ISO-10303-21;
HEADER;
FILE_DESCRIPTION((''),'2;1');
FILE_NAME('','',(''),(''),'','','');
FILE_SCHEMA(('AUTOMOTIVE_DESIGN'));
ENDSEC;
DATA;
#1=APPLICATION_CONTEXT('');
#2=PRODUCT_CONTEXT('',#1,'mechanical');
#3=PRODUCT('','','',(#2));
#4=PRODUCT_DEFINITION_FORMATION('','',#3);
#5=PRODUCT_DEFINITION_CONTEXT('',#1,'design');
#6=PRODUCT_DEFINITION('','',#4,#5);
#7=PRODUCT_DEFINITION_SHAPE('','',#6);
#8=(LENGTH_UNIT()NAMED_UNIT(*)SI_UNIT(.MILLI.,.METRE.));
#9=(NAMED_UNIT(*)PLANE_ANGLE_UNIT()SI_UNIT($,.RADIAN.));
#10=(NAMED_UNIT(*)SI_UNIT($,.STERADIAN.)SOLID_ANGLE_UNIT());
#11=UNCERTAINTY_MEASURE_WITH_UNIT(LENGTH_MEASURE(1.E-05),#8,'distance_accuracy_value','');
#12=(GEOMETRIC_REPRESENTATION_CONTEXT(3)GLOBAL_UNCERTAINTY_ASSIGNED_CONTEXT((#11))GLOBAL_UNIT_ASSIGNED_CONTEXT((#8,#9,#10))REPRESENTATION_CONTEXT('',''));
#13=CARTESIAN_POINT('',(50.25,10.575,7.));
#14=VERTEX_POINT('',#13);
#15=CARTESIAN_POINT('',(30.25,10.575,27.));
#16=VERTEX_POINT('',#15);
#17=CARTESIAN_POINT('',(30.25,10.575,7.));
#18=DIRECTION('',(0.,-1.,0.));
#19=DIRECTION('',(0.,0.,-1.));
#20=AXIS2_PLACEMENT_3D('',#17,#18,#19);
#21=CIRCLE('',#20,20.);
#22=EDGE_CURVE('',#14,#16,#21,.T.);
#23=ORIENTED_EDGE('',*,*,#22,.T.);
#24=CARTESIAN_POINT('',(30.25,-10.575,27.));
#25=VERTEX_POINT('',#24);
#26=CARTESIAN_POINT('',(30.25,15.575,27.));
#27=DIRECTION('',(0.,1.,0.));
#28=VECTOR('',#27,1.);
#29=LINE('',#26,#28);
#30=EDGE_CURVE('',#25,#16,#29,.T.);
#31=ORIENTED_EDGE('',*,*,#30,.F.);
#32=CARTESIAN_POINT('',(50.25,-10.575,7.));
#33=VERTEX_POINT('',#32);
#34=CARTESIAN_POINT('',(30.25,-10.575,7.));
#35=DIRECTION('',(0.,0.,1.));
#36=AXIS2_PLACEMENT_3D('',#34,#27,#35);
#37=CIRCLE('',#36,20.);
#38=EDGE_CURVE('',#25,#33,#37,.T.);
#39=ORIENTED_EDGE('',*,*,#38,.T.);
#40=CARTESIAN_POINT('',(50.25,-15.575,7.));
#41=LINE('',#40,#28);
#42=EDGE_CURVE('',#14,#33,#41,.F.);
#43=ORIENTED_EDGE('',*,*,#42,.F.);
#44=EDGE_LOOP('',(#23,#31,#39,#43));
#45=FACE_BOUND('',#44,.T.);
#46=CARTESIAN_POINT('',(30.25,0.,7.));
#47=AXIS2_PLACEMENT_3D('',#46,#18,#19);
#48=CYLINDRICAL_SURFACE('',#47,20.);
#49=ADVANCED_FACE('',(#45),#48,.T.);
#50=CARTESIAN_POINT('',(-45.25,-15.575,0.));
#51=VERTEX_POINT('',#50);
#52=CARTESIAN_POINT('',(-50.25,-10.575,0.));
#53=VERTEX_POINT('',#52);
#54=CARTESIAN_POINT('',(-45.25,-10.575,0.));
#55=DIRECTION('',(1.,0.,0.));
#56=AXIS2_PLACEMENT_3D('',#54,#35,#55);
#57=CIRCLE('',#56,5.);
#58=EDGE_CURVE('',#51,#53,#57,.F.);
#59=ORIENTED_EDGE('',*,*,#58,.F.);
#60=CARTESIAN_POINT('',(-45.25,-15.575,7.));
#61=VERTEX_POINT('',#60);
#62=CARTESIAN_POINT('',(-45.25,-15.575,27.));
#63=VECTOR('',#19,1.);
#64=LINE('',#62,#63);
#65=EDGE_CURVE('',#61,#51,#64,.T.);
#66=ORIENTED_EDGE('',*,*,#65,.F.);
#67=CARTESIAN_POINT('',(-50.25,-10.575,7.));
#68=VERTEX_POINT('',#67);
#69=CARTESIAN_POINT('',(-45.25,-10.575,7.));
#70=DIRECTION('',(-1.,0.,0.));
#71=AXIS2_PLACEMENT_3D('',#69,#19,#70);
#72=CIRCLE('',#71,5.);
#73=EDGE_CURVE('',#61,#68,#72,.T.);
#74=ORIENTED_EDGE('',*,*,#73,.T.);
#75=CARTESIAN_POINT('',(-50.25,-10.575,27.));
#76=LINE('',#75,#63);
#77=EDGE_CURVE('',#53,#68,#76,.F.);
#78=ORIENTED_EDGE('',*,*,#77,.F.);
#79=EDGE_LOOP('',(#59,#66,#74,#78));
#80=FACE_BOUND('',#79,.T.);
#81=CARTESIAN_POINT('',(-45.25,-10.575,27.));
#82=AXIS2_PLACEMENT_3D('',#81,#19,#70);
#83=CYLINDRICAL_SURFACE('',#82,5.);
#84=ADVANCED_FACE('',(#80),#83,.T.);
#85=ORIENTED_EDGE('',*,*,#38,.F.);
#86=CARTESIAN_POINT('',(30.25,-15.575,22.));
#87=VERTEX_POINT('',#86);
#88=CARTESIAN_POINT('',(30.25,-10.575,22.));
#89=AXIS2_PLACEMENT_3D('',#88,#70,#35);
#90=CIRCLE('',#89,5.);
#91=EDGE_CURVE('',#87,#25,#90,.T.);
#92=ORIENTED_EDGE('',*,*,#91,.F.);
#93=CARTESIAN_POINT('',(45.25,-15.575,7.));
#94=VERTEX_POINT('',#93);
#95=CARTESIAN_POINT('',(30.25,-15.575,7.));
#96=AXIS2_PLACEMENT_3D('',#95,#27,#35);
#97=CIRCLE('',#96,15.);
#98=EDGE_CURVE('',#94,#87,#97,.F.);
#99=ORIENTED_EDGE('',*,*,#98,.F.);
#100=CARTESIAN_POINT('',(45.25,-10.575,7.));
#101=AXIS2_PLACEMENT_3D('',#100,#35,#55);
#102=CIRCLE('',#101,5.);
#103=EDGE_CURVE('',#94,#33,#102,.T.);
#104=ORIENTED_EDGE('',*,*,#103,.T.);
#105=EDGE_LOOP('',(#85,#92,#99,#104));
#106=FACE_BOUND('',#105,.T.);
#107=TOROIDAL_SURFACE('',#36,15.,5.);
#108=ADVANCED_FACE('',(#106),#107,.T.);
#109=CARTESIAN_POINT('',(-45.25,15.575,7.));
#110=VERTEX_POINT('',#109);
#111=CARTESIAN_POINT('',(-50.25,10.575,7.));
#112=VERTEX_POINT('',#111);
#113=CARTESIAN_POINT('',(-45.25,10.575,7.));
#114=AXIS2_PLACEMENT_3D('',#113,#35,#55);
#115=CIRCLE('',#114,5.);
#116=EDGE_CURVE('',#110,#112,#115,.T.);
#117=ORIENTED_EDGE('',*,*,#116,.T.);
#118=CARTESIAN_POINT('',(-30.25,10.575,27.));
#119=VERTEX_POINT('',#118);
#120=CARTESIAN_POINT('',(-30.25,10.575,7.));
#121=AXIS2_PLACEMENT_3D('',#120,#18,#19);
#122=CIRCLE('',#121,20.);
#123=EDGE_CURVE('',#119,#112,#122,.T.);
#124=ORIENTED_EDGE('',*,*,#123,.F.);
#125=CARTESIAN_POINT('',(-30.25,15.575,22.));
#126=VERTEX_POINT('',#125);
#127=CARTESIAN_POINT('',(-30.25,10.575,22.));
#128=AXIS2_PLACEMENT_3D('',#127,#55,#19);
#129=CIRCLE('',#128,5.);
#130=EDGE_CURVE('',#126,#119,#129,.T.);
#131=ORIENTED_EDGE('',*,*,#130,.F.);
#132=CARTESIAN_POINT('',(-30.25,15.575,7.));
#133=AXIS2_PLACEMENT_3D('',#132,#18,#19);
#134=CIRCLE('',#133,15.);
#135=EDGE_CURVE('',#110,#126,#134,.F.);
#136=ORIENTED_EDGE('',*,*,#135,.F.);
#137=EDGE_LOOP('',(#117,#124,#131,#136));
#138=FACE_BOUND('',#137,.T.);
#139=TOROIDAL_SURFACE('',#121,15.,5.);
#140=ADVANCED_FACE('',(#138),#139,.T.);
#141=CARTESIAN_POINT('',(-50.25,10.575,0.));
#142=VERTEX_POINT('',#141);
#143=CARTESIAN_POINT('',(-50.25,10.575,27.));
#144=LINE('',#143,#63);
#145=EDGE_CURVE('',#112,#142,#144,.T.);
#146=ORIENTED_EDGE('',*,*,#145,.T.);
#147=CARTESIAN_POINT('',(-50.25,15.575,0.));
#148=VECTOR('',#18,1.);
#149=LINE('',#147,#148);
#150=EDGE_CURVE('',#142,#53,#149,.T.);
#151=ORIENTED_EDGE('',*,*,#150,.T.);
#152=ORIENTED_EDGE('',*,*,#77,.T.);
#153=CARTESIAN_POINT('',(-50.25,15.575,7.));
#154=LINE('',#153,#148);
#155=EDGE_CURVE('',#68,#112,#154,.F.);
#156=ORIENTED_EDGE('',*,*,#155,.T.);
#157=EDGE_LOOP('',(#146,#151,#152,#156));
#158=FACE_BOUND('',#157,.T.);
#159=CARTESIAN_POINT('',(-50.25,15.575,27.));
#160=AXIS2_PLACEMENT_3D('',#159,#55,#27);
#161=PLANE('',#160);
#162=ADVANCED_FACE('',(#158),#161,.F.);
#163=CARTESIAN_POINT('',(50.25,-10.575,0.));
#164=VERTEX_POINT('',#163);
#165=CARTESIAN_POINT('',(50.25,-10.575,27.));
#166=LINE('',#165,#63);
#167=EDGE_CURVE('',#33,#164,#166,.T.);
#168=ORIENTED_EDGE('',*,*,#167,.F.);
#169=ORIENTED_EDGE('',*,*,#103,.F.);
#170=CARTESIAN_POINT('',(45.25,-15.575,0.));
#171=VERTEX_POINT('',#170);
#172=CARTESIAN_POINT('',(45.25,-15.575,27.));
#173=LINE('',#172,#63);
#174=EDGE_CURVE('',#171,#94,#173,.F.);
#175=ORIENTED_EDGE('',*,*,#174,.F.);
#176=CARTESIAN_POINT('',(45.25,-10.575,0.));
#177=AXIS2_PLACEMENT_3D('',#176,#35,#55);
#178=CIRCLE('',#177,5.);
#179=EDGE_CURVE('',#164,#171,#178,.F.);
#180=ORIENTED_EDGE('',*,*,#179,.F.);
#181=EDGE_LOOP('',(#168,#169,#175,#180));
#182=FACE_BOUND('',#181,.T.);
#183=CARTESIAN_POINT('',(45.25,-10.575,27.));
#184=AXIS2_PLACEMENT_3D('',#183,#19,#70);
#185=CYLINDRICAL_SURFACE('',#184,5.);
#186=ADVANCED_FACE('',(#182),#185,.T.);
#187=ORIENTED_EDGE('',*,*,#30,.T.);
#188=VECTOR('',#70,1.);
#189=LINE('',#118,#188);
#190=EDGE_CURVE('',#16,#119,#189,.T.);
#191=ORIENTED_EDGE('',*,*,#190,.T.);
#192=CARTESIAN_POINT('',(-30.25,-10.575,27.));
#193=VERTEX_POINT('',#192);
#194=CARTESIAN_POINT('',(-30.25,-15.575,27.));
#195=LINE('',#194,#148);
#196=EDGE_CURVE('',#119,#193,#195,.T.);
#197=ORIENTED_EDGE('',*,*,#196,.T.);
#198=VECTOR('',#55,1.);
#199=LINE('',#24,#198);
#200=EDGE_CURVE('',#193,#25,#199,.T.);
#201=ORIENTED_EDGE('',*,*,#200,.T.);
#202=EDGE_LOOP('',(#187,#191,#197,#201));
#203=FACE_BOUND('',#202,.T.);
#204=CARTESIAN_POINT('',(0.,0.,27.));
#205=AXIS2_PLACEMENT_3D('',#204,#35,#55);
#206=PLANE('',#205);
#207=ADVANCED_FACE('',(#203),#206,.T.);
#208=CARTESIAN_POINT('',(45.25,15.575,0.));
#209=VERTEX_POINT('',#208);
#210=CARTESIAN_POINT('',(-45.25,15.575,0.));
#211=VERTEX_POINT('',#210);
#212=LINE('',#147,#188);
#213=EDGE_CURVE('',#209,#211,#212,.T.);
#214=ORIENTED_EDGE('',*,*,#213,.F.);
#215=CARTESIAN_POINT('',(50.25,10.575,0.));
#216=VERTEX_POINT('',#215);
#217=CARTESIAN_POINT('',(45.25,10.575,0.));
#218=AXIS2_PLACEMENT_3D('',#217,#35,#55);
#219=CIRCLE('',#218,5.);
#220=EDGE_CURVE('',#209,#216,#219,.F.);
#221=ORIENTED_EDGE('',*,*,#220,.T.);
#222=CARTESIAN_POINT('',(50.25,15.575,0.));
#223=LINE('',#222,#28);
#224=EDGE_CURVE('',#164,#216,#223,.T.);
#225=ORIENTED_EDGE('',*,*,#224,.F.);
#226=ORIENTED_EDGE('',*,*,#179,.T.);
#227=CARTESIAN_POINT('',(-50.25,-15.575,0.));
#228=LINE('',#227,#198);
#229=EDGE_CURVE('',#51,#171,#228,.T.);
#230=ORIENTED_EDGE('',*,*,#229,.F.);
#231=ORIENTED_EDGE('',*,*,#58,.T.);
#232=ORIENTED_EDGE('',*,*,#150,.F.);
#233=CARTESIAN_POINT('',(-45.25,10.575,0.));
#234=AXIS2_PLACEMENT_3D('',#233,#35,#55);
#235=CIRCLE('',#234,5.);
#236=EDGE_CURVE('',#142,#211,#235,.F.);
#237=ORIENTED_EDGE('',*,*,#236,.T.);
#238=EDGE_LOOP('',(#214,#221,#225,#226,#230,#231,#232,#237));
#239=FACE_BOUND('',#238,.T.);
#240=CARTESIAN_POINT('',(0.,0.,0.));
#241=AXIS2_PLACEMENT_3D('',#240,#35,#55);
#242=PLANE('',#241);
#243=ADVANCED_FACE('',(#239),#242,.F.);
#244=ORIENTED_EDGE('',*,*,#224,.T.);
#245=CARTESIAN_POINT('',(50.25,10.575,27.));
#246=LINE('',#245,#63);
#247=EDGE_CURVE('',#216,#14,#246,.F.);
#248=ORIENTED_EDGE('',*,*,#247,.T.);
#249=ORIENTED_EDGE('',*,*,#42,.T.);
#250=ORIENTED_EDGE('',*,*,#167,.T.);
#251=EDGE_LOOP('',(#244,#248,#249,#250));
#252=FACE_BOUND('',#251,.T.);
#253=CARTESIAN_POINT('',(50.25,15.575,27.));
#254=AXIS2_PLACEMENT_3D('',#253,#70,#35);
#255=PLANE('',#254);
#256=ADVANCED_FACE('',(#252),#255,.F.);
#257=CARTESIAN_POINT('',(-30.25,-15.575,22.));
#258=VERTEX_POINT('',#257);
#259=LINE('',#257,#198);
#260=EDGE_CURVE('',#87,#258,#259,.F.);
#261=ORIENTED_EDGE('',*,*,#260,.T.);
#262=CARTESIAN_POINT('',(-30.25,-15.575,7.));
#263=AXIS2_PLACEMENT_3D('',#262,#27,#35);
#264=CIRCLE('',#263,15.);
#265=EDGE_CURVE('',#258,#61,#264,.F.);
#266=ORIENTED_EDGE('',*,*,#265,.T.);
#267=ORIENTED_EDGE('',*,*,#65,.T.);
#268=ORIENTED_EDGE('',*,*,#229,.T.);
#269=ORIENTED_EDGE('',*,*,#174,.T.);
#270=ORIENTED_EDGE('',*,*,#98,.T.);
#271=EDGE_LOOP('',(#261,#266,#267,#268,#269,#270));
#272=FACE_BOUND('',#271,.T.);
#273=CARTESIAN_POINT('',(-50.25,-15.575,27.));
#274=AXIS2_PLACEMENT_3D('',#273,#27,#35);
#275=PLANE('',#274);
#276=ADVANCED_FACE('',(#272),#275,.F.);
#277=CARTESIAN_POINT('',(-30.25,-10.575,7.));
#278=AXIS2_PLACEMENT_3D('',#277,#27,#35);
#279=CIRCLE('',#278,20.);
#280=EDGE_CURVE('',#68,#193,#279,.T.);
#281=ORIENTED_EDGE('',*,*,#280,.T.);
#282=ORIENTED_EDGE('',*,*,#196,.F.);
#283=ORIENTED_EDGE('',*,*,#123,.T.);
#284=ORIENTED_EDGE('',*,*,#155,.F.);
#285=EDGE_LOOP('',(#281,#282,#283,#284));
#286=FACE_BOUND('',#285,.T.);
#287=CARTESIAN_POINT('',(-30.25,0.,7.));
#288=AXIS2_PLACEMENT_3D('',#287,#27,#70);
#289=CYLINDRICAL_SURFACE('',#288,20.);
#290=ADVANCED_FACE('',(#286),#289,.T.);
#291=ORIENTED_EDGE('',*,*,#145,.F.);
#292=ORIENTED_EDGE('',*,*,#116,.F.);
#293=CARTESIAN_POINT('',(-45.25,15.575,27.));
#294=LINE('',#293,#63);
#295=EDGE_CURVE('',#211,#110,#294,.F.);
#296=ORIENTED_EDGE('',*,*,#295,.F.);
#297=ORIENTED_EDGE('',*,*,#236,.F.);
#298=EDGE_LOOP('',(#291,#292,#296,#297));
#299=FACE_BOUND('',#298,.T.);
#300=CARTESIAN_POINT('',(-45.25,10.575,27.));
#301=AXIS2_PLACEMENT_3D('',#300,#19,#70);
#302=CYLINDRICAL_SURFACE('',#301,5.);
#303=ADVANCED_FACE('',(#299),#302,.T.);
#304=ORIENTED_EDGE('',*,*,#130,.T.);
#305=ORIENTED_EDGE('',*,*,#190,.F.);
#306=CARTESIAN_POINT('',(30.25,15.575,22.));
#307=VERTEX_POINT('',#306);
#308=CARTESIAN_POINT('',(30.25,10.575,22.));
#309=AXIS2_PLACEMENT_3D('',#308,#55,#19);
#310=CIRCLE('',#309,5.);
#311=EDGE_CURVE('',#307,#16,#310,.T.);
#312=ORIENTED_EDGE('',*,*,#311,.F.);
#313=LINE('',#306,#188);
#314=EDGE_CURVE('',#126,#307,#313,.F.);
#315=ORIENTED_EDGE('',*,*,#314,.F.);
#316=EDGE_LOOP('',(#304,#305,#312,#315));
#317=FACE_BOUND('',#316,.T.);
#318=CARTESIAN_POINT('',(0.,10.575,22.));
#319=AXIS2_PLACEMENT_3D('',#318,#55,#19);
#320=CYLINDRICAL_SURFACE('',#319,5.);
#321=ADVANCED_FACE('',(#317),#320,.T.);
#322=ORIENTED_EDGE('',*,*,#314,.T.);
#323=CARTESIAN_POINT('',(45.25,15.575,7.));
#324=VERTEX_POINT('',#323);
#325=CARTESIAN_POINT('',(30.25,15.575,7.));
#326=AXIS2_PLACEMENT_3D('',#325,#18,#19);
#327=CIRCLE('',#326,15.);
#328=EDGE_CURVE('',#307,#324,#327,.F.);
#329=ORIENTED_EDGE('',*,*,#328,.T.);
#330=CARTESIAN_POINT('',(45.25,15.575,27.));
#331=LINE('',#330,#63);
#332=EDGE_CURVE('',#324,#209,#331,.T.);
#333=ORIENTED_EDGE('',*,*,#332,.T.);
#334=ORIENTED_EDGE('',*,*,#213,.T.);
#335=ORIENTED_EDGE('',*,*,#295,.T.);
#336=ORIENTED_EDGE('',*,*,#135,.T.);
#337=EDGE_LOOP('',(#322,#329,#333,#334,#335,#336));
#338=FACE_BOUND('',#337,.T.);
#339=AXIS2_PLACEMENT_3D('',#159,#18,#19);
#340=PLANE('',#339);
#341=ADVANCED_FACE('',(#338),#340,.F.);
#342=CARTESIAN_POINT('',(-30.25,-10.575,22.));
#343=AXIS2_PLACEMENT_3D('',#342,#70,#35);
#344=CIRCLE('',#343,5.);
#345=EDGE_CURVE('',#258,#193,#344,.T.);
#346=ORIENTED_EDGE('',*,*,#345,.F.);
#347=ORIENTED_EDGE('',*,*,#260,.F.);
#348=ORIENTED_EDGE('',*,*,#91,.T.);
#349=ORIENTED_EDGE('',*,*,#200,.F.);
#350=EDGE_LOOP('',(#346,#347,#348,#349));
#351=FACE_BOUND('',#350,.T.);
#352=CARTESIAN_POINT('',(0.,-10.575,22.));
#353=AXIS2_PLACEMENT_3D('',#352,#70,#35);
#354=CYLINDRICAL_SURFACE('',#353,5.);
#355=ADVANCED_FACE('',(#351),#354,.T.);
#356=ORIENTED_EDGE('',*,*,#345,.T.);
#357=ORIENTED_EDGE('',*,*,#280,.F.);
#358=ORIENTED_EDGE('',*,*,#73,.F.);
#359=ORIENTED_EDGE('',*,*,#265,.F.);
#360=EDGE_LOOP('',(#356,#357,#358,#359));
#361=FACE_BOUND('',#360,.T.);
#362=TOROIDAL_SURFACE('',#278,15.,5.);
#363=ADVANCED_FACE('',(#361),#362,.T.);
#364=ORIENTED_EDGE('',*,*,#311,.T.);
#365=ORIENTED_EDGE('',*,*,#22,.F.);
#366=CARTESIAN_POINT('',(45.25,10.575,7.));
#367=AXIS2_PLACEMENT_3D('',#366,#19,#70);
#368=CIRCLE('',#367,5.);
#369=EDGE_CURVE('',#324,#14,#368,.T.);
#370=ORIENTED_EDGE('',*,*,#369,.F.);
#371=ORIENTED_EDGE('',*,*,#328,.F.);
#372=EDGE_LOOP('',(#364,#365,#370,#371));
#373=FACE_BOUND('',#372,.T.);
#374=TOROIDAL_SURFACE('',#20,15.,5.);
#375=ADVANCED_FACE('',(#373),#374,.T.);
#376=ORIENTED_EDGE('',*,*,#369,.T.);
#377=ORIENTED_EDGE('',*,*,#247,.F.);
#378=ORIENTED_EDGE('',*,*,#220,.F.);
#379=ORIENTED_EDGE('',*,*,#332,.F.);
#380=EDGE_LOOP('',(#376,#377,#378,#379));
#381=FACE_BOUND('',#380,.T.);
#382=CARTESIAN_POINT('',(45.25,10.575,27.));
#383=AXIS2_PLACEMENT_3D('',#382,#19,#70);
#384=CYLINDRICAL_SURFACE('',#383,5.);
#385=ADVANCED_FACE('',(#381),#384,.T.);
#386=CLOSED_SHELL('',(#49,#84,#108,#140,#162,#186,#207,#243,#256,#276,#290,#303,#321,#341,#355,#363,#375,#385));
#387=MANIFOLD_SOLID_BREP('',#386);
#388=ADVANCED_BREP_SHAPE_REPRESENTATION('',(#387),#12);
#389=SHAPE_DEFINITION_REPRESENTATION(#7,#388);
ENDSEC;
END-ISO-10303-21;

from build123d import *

# Parameters (mm, degrees)
SKETCH1_W           = 100.5
SKETCH1_H           = 31.15
BOSS_EXTRUDE1_DEPTH = 27
FILLET1_R           = 20
FILLET2_R           = 5


with BuildPart() as part:
    # Sketch1 → Boss-Extrude1 (new body)
    with BuildSketch(Plane.XY):
        Rectangle(SKETCH1_W, SKETCH1_H)
    extrude(amount=BOSS_EXTRUDE1_DEPTH)

    # Fillet1
    fillet1_edges = [part.edges().sort_by_distance(p)[0] for p in [
        (-50.25, 0, 27),
        (50.25, 0, 27),
    ]]
    fillet(fillet1_edges, radius=FILLET1_R)

    # Fillet2
    fillet2_edges = [part.edges().sort_by_distance(p)[0] for p in [
        (0, 15.575, 27),
        (0, -15.575, 27),
        (-50.25, 15.575, 3.5),
        (50.25, 15.575, 3.5),
        (-44.392135624, 15.575, 21.142135624),
        (44.392135624, 15.575, 21.142135624),
        (50.25, -15.575, 3.5),
        (-50.25, -15.575, 3.5),
        (-44.392135624, -15.575, 21.142135624),
        (44.392135624, -15.575, 21.142135624),
    ]]
    fillet(fillet2_edges, radius=FILLET2_R)


solid = part.part
